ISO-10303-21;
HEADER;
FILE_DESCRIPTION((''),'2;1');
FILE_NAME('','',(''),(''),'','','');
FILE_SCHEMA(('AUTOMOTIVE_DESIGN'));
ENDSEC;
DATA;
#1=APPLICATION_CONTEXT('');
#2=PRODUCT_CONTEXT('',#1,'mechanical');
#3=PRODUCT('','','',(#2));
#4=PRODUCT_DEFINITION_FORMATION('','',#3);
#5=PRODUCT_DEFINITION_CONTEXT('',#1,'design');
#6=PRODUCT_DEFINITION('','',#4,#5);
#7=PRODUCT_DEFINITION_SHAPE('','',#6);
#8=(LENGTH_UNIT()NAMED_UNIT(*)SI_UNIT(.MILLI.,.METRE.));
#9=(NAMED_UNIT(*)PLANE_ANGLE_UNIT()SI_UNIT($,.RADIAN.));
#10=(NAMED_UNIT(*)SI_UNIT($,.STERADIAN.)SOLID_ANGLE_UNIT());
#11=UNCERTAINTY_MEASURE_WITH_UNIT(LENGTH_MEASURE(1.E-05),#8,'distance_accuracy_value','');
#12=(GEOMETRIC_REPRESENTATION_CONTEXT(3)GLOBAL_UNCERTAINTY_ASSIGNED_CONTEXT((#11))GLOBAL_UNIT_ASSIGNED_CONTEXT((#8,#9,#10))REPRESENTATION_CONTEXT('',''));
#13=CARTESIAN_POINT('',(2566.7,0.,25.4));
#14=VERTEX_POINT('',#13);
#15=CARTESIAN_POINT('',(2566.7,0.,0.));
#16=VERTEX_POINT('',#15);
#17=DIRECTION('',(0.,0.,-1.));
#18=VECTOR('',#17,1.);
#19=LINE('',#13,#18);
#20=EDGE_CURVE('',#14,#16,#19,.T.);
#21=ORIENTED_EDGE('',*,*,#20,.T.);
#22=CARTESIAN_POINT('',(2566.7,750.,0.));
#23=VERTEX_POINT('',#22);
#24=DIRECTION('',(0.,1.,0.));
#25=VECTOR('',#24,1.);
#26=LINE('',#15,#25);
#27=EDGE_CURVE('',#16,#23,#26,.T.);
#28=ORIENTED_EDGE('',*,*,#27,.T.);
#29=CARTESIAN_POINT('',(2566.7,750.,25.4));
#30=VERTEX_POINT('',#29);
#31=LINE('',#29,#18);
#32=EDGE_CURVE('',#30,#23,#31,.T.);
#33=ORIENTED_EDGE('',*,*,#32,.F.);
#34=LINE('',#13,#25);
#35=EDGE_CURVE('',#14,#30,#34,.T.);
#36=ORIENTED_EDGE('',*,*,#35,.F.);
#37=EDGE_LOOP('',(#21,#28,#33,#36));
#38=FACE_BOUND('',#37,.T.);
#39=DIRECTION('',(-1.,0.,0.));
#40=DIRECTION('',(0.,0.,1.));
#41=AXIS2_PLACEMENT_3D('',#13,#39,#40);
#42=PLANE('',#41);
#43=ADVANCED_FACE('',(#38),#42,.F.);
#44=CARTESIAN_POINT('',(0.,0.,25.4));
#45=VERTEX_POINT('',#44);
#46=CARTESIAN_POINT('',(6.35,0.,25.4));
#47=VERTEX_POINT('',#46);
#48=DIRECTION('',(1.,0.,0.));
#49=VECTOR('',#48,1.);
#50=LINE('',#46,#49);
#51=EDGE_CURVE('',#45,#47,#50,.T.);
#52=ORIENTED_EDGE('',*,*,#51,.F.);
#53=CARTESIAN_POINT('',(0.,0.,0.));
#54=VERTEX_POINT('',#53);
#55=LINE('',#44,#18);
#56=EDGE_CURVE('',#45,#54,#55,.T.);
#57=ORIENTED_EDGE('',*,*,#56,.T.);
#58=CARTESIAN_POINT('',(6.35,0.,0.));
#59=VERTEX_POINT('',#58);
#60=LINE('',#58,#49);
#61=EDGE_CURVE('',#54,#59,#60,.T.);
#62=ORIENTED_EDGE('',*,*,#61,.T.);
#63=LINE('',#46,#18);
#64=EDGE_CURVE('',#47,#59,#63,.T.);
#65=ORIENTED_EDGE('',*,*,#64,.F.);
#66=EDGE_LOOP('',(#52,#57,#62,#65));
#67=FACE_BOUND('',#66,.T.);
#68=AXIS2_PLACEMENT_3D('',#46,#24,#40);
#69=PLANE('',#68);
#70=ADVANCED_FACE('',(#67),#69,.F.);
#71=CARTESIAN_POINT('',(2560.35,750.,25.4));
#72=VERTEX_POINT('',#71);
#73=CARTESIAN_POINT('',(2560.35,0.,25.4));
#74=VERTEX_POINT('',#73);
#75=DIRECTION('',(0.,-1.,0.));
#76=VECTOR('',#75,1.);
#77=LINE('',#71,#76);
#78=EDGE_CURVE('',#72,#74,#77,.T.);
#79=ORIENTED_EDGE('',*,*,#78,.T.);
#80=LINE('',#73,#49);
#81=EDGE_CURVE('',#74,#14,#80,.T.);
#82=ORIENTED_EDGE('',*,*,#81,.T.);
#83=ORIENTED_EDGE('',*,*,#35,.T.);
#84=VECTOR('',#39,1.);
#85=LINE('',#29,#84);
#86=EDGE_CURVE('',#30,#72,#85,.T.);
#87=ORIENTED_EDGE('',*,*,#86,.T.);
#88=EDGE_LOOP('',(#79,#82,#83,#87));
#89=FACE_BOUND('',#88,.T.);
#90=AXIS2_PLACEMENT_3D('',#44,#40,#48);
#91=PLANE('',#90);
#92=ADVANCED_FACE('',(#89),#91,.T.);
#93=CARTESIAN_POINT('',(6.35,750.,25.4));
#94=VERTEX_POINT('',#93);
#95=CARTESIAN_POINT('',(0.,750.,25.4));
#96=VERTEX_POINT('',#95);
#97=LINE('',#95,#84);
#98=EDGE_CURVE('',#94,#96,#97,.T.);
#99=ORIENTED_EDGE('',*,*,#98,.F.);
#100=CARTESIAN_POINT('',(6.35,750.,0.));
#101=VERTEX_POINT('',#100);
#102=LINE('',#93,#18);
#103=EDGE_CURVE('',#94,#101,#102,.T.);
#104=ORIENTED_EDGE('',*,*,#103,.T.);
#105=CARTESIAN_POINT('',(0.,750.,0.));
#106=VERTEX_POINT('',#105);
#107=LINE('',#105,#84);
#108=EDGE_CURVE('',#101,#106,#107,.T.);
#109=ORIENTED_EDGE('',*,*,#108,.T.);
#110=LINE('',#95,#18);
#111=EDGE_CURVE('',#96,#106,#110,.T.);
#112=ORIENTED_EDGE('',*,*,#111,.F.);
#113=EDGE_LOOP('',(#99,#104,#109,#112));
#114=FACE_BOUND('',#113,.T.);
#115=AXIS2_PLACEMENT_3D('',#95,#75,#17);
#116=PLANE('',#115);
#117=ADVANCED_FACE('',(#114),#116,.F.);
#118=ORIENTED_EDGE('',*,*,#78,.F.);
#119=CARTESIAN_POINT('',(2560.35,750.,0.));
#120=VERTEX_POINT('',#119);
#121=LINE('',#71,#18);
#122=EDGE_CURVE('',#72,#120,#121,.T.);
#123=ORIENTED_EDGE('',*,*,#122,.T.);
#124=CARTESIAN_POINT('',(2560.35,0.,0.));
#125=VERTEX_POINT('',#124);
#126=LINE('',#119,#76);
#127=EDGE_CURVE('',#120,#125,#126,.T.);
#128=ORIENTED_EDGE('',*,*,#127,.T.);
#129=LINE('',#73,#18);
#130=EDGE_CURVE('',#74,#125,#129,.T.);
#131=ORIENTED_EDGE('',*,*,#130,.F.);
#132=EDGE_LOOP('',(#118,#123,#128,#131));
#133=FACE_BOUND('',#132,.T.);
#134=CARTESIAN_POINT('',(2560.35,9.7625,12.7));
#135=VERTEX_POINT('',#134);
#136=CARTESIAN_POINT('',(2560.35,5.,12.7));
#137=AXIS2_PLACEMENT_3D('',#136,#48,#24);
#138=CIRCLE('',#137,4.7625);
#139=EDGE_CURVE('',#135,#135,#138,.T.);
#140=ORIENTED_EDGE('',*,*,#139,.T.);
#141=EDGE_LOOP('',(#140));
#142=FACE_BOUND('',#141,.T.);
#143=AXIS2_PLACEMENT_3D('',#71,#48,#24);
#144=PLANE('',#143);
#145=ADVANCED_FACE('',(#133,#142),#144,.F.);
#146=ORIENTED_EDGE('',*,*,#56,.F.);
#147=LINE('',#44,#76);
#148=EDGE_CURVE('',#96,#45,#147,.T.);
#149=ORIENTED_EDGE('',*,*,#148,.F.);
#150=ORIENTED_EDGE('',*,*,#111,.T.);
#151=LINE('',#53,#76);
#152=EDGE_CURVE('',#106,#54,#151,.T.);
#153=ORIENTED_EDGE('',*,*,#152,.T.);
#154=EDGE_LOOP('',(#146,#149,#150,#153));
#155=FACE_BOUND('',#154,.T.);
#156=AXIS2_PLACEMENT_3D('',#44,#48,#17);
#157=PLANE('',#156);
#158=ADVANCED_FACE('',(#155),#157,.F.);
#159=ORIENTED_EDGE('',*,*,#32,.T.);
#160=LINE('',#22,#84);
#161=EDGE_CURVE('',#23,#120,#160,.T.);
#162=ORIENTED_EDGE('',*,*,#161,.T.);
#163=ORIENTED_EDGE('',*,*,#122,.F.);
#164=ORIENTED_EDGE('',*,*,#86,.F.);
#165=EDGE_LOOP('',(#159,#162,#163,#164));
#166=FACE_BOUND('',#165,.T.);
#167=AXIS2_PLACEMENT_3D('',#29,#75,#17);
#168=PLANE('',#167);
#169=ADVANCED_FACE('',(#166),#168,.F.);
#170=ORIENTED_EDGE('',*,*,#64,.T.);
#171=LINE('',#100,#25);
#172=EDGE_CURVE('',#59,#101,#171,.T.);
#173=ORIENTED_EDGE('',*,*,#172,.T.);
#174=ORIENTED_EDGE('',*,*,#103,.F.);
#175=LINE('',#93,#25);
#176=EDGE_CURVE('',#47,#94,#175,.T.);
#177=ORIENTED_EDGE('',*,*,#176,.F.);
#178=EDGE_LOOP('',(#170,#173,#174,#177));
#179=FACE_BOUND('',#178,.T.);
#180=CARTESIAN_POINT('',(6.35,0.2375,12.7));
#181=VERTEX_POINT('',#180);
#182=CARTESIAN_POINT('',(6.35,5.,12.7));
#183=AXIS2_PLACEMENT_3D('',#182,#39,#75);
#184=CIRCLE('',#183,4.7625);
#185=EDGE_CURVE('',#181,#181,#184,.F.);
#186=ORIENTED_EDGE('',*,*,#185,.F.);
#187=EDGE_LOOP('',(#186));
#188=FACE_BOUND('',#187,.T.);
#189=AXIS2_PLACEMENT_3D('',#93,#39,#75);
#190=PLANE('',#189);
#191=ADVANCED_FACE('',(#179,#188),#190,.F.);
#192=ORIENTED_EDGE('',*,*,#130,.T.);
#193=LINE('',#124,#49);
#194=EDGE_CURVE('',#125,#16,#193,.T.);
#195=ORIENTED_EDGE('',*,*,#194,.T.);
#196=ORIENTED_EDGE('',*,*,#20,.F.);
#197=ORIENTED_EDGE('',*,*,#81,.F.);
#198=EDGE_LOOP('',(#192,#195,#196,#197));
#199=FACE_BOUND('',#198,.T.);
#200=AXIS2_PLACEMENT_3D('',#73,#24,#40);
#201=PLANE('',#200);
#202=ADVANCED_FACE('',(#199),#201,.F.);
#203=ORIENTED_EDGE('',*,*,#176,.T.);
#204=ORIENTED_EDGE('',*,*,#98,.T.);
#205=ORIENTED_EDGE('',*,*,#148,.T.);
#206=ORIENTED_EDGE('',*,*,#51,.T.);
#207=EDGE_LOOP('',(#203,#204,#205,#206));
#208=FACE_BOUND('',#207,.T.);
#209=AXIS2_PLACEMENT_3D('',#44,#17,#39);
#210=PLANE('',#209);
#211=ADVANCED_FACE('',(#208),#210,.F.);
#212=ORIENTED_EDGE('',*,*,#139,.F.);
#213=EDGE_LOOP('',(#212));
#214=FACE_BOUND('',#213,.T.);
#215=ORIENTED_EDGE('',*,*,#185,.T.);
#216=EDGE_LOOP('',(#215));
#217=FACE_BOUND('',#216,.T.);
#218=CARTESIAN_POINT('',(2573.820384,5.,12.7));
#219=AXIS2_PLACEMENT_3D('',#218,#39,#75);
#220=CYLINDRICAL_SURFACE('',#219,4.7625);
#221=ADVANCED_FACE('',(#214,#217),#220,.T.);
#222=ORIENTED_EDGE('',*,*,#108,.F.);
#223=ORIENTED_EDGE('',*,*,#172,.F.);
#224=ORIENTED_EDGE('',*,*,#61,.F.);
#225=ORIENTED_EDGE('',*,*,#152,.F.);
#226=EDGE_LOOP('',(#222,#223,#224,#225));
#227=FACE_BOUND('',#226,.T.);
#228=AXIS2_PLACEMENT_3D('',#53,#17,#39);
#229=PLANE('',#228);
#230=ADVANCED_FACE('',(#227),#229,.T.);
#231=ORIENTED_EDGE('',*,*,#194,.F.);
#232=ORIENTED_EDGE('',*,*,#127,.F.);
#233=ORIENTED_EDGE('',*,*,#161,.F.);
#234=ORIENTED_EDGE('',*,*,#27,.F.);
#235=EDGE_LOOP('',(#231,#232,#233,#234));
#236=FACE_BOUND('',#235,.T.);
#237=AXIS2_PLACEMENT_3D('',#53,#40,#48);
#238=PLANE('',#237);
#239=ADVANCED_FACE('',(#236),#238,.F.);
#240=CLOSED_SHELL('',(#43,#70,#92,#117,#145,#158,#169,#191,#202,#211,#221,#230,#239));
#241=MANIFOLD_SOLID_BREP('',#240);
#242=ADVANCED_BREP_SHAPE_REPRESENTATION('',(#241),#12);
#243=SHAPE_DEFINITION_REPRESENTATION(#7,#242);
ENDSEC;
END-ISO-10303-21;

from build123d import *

# Parameters (mm, degrees)
CROQUIS1_W                = 6.35
CROQUIS1_H                = 750
SALIENTE_EXTRUIR1_DEPTH   = 25.4
SALIENTE_EXTRUIR1_2_DEPTH = 25.4
CROQUIS2_R                = 4.7625
SALIENTE_EXTRUIR2_DEPTH   = 2554


with BuildPart() as part:
    # Croquis1 → Saliente-Extruir1 (new body)
    with BuildSketch(Plane.XY):
        with Locations((3.175, 375)):
            Rectangle(CROQUIS1_W, CROQUIS1_H)
    extrude(amount=SALIENTE_EXTRUIR1_DEPTH)



with BuildPart() as body_2:
    # Croquis1 → Saliente-Extruir1 2 (new body)
    with BuildSketch(Plane.XY):
        with Locations((2563.525, 375)):
            Rectangle(CROQUIS1_W, CROQUIS1_H)
    extrude(amount=SALIENTE_EXTRUIR1_2_DEPTH)


with BuildPart() as part_1:
    add(part.part)

    add(body_2.part)  # Saliente-Extruir2 merges body 2
    # Croquis2 → Saliente-Extruir2 (add)
    with BuildSketch(Plane(origin=(6.35, 0, 0), x_dir=(0, 0, -1), z_dir=(1, 0, 0))):
        with Locations(Location((-12.7, 5, 0), (0, 0, 270))):
            Circle(CROQUIS2_R)
    extrude(amount=SALIENTE_EXTRUIR2_DEPTH)


solid = part_1.part
